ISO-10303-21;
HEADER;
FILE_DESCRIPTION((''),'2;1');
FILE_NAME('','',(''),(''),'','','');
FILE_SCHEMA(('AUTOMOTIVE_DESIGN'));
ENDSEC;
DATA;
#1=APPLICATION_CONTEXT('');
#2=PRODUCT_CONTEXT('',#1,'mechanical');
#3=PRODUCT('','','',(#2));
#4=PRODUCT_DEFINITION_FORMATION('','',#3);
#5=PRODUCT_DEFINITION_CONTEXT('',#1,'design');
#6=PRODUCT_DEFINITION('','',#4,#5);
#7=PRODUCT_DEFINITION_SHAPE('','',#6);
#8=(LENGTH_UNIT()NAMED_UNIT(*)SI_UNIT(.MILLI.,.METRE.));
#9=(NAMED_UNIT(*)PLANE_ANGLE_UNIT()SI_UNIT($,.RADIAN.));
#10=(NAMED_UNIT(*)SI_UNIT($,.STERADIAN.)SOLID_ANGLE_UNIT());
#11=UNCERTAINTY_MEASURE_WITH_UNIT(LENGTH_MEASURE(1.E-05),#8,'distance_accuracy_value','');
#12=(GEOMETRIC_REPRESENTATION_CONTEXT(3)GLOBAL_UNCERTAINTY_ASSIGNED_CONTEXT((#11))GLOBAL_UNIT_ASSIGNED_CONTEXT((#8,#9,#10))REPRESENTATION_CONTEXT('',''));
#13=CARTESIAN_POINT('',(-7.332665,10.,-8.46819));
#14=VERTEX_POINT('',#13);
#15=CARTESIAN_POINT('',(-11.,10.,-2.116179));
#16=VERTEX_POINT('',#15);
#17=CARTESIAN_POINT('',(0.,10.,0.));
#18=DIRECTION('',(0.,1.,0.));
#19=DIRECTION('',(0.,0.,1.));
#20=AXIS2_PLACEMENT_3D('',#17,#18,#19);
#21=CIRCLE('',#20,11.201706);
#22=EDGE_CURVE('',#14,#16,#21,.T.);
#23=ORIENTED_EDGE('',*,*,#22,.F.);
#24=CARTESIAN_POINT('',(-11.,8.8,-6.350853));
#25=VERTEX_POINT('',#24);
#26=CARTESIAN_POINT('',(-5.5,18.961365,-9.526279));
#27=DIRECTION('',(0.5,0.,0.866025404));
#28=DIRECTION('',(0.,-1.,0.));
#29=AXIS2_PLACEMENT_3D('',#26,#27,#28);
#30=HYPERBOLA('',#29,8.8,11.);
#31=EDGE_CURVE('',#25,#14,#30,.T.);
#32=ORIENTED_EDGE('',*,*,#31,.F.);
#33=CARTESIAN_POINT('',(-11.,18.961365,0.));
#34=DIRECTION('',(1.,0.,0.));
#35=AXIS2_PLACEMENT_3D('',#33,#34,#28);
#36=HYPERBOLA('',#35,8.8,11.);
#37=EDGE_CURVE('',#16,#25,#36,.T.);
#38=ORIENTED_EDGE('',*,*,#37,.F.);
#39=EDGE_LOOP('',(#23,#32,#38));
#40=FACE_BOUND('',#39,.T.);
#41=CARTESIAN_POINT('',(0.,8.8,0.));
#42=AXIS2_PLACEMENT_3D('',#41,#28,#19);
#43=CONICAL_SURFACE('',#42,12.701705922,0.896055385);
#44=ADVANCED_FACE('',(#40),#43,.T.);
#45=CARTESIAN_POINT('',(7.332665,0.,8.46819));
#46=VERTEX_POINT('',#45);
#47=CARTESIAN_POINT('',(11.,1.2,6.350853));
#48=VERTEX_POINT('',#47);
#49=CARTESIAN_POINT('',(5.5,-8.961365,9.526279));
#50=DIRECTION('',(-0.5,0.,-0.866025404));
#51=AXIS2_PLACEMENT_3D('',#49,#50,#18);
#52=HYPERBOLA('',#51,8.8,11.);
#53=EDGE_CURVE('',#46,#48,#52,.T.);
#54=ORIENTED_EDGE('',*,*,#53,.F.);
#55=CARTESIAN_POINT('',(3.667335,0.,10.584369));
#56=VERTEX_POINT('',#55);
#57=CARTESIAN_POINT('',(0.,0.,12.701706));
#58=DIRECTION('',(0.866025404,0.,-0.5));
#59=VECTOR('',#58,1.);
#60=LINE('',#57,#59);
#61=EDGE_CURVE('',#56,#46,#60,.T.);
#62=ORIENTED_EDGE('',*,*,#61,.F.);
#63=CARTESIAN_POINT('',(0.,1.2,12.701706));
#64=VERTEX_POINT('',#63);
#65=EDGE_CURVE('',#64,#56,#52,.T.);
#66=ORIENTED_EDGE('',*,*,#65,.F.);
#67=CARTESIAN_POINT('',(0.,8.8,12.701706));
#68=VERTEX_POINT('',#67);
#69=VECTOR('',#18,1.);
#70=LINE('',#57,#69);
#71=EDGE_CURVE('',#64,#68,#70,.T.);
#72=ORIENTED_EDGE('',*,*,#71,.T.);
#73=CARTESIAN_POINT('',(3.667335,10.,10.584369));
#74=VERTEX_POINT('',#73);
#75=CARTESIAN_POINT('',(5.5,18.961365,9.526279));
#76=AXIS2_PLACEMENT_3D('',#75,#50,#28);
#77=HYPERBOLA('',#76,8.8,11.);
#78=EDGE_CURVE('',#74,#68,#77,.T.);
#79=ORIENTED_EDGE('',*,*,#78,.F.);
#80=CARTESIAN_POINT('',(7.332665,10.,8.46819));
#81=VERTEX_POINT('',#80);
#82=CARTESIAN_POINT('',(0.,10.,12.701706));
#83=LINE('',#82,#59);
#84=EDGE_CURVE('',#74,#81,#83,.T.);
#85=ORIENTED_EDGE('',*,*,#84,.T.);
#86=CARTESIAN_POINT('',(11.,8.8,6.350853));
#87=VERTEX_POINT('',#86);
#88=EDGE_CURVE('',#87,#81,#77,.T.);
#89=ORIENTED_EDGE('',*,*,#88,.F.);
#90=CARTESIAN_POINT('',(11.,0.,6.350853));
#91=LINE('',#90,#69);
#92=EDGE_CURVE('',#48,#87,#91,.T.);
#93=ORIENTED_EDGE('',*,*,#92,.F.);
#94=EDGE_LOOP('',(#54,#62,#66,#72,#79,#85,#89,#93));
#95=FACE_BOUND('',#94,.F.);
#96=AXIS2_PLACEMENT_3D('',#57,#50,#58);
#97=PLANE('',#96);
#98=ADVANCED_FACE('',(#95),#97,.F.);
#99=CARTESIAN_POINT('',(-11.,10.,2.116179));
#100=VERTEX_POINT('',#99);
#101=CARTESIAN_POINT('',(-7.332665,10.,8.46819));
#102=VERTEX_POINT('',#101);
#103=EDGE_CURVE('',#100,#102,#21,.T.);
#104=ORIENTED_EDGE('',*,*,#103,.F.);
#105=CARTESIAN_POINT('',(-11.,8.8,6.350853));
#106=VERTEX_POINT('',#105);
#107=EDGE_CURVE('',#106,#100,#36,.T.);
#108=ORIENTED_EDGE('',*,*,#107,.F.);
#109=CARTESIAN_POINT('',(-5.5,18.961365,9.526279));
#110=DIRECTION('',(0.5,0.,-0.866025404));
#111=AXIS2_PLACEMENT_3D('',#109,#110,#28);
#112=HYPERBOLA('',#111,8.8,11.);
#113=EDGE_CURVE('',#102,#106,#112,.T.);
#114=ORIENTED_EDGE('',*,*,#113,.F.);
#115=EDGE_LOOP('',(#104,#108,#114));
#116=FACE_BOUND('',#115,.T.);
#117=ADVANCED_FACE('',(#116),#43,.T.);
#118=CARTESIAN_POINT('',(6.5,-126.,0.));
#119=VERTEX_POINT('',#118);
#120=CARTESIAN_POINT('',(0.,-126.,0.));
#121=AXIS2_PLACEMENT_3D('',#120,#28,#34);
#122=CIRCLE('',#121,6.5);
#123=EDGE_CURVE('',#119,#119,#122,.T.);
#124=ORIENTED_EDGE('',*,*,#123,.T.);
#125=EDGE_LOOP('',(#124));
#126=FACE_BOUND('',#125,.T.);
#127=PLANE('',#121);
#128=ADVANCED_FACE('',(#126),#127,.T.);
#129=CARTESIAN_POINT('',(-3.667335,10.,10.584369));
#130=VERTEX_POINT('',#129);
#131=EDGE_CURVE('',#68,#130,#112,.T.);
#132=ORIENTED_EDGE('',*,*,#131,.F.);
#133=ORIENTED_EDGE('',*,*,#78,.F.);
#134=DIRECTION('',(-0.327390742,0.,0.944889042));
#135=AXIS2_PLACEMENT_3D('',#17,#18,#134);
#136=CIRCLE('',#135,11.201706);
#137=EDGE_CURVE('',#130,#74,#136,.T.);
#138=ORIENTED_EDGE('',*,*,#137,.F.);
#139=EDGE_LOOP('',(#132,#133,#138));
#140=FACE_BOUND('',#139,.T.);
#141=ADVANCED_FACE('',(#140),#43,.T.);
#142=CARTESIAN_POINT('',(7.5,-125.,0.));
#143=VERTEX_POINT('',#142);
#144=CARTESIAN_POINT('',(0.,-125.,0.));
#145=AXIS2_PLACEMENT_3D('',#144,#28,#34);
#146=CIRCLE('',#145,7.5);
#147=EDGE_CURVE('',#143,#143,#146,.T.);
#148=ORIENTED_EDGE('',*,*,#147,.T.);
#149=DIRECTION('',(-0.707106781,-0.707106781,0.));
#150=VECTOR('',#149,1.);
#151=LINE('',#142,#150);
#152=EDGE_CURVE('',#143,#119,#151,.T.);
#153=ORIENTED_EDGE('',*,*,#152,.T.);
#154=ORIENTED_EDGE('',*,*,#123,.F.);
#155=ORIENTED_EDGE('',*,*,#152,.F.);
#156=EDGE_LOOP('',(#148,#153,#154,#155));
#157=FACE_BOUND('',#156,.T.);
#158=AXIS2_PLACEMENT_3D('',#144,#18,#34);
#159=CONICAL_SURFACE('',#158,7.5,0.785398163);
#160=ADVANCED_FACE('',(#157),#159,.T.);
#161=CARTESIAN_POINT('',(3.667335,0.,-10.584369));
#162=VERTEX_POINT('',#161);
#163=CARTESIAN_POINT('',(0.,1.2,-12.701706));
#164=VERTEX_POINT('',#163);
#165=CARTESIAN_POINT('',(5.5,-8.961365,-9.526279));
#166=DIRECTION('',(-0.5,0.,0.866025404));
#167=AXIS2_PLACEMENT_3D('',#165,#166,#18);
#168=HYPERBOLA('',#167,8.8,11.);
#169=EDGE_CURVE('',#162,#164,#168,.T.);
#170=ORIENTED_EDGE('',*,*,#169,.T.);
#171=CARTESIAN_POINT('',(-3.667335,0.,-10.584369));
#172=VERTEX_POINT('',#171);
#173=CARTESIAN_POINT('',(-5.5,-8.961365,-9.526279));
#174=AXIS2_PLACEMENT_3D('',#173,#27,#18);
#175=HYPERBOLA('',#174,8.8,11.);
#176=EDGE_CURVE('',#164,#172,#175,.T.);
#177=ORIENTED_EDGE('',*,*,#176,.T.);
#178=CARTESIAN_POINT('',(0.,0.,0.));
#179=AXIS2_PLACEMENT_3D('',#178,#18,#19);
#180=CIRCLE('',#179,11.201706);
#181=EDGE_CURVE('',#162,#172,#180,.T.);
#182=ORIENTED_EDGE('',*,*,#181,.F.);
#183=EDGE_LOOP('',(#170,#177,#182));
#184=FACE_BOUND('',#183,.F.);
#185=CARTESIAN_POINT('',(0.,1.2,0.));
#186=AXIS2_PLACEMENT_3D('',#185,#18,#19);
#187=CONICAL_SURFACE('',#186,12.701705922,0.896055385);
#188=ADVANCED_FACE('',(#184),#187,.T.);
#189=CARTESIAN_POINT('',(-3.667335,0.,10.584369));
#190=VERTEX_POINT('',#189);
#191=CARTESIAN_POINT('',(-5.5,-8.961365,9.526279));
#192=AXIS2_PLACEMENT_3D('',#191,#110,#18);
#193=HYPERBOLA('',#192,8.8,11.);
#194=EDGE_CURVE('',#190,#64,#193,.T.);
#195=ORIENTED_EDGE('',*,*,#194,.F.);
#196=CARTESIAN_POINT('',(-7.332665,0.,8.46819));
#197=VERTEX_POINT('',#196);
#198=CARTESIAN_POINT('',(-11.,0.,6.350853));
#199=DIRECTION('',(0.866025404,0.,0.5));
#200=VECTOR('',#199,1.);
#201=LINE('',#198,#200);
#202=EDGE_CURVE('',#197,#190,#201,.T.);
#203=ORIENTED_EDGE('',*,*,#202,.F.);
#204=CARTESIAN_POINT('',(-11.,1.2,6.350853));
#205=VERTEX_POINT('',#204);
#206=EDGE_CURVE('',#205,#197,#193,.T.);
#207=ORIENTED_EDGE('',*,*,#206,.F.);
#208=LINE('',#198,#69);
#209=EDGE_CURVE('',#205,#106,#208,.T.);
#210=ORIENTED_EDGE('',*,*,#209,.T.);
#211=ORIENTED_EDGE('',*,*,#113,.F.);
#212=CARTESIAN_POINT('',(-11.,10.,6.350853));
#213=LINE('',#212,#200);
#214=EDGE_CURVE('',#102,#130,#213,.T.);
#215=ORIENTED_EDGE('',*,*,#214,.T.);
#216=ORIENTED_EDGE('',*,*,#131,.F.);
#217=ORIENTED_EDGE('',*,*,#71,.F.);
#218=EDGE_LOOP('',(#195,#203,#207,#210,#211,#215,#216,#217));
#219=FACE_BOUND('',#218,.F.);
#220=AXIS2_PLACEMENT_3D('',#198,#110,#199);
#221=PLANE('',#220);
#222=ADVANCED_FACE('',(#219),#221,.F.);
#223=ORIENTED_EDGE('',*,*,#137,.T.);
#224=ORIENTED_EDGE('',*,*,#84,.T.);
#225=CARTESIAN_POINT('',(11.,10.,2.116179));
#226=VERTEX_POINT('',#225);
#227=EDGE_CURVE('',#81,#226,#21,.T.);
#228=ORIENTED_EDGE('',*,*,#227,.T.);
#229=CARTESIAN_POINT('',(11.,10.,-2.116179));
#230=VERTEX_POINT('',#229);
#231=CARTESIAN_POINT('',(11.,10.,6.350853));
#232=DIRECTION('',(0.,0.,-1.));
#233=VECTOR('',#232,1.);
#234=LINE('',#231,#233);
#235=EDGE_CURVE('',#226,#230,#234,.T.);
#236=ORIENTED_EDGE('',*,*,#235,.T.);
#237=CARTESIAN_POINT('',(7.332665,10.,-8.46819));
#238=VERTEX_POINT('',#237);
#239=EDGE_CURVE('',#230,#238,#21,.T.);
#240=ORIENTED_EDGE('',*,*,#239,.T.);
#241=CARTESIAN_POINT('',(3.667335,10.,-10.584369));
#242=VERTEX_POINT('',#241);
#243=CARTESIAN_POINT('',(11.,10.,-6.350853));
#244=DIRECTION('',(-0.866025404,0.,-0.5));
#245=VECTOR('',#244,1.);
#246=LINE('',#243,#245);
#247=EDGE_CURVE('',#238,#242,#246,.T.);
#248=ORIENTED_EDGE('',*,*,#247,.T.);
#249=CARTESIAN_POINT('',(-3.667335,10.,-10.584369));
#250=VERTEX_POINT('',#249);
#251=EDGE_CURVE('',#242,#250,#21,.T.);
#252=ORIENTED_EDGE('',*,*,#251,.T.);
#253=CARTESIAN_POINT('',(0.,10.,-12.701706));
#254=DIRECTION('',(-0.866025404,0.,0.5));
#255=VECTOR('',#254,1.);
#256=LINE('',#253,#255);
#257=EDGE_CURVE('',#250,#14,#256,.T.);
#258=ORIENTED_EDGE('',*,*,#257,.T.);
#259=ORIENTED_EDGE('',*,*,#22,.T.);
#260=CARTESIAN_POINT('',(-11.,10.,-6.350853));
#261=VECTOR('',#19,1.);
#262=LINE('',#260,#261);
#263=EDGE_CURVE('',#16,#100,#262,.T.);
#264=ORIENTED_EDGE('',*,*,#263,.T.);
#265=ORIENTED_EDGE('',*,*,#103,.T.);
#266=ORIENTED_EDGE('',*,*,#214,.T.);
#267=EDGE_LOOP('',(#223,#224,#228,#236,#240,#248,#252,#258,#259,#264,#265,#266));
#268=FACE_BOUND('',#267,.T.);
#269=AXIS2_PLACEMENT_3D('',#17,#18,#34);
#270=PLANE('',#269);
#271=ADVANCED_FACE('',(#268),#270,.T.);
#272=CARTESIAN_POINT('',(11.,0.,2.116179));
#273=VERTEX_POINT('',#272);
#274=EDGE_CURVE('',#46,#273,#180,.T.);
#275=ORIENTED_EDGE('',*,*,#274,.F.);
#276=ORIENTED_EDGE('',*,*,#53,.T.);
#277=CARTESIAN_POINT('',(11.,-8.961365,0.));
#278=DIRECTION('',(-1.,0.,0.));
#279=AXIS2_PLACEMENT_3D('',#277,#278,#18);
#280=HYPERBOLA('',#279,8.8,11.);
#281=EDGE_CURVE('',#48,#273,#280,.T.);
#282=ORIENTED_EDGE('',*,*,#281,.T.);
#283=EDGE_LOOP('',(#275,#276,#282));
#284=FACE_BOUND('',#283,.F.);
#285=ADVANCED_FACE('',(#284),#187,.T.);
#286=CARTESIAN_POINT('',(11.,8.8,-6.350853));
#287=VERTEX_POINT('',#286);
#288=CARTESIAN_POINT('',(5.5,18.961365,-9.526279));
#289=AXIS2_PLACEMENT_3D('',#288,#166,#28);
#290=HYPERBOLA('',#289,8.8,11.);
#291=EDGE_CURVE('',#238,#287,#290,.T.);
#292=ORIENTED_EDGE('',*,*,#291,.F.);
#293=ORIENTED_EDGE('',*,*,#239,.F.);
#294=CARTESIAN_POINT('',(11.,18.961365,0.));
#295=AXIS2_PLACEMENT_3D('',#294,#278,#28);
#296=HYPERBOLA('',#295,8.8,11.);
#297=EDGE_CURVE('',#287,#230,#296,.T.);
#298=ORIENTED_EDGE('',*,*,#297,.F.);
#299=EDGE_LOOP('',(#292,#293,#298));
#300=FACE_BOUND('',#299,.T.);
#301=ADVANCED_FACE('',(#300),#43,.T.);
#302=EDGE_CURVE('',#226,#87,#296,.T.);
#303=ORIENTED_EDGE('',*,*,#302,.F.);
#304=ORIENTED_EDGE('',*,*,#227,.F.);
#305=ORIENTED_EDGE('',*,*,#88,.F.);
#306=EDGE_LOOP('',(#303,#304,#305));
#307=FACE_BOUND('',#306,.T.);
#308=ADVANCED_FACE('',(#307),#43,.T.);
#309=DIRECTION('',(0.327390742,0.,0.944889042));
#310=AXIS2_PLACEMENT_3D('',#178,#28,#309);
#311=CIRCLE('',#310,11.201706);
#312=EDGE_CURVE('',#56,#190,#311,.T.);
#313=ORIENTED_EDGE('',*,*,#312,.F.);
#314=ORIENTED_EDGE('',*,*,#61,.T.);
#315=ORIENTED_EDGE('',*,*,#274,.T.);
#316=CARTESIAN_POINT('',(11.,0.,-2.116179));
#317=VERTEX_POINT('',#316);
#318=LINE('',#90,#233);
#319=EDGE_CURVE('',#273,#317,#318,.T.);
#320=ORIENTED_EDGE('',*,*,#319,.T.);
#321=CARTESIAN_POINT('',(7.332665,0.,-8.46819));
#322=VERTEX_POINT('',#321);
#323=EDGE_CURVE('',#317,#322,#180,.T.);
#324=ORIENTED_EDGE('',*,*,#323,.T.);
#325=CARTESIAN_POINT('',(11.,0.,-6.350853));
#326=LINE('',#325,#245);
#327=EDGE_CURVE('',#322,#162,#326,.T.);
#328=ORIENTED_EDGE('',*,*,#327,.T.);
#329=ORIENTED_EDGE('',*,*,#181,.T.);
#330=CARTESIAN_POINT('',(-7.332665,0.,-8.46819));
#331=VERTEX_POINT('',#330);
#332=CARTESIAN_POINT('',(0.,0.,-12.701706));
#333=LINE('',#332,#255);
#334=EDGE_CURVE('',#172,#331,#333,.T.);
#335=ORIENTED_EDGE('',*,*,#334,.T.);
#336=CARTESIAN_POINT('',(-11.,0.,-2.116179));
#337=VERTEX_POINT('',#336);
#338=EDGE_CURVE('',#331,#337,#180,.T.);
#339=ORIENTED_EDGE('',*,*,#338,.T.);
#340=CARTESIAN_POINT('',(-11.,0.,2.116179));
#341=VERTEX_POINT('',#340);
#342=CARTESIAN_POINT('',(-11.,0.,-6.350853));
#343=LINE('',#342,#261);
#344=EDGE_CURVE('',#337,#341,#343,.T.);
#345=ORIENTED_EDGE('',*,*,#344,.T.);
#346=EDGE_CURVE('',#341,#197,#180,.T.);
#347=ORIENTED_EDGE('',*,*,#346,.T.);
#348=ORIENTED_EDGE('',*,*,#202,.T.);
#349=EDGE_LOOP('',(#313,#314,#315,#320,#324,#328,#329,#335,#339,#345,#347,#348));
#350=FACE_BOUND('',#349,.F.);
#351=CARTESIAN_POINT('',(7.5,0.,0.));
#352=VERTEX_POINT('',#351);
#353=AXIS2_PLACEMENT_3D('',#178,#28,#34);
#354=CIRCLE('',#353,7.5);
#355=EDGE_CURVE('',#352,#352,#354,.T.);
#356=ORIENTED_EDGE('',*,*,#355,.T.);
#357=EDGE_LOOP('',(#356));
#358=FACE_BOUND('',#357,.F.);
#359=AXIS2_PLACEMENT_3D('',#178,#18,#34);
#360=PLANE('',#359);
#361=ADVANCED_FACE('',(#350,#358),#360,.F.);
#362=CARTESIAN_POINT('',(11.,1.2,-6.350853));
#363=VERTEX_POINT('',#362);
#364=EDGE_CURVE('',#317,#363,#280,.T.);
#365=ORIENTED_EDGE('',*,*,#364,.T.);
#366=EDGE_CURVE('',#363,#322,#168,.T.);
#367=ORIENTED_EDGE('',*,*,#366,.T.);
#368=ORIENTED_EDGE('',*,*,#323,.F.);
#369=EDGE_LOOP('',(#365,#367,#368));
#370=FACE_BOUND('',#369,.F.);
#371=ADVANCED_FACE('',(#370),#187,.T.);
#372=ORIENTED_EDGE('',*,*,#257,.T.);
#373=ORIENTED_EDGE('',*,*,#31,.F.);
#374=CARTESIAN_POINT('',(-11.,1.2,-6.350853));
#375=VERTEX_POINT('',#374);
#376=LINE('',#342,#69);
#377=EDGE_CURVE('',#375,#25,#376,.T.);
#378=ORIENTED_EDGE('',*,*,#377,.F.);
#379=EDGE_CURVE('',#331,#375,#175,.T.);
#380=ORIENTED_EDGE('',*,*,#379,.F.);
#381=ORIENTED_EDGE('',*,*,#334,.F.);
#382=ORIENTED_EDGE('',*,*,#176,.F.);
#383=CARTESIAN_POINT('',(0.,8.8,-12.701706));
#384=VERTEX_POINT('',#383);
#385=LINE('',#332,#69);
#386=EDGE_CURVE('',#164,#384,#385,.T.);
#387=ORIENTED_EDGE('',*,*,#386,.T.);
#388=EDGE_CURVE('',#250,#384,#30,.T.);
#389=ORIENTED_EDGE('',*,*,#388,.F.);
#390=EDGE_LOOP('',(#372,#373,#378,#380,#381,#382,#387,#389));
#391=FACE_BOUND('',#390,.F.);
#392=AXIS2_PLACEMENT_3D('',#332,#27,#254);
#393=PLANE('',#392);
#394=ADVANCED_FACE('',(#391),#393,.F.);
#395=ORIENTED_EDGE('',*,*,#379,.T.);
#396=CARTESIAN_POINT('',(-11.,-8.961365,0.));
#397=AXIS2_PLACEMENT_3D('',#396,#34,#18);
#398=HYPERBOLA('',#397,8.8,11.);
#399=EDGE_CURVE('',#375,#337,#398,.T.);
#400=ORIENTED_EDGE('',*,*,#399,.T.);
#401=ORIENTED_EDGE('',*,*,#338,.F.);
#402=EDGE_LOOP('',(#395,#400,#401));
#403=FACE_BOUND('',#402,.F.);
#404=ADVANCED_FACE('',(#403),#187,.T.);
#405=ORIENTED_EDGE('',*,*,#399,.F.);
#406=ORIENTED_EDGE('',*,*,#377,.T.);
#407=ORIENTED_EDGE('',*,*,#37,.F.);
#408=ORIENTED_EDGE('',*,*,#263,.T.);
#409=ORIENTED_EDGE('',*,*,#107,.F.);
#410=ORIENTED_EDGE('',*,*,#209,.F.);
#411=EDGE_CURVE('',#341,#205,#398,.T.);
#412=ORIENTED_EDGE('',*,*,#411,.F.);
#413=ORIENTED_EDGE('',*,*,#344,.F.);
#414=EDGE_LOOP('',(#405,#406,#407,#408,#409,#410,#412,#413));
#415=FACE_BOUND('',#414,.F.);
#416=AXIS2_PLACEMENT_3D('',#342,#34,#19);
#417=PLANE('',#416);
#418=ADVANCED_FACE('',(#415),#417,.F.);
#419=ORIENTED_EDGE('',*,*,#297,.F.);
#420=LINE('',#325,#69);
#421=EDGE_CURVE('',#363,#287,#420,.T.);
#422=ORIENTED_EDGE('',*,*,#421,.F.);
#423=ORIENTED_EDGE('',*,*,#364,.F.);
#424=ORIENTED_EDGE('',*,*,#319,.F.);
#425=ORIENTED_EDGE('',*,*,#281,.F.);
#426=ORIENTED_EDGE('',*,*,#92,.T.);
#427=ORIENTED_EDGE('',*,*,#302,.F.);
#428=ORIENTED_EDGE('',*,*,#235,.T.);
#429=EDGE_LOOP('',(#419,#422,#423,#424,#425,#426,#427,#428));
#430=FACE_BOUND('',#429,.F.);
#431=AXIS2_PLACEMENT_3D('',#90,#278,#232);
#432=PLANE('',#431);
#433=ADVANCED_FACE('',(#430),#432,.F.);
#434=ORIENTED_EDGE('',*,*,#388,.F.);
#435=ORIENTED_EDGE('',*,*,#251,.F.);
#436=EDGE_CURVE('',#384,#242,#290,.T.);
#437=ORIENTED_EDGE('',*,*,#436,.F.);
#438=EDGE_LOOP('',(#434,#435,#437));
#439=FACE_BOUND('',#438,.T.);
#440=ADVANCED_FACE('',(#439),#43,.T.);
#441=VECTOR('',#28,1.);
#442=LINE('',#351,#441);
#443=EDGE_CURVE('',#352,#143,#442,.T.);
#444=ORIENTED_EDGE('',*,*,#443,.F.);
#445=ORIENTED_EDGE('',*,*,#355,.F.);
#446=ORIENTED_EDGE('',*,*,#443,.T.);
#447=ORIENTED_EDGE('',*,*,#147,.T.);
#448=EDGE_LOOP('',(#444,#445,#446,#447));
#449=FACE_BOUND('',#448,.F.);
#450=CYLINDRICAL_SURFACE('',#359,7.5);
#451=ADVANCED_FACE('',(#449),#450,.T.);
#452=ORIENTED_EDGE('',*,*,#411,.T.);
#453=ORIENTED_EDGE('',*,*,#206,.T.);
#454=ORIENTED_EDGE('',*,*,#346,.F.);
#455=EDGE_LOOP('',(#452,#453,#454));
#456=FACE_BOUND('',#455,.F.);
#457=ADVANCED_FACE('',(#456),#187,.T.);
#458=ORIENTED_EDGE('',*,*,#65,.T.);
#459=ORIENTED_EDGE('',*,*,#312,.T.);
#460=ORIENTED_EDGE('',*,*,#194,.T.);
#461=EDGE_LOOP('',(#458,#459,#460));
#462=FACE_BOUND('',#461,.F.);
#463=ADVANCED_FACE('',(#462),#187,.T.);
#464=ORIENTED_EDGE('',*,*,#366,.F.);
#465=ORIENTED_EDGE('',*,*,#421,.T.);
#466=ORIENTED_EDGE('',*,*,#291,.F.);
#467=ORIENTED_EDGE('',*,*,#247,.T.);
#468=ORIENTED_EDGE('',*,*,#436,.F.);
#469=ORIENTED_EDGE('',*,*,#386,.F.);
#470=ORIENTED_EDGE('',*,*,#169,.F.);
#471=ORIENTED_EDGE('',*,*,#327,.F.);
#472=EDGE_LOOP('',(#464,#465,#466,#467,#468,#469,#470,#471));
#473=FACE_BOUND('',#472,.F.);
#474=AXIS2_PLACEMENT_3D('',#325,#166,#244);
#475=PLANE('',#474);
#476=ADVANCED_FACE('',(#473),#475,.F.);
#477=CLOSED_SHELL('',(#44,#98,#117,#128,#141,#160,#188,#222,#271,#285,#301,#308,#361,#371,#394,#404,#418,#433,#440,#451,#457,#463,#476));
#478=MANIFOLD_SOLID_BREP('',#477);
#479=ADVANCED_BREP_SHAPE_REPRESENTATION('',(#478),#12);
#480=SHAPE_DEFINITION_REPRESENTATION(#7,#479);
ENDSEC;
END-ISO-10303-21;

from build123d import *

# Parameters (mm, degrees)
BOSS_EXTRUDE1_DEPTH = 10
SKETCH2_R           = 7.5
BOSS_EXTRUDE2_DEPTH = 126
CHAMFER1_SIZE       = 1


with BuildPart() as part:
    # Sketch1 → Boss-Extrude1 (new body)
    with BuildSketch(Plane(origin=(0, 0, 0), x_dir=(1, 0, 0), z_dir=(0, 1, 0))):
        Polygon((0, 12.701705922), (-11, 6.350852961), (-11, -6.350852961), (0, -12.701705922), (11, -6.350852961), (11, 6.350852961), align=None)
    extrude(amount=BOSS_EXTRUDE1_DEPTH)

    # Sketch2 → Boss-Extrude2 (add)
    with BuildSketch(Plane.XZ):
        Circle(SKETCH2_R)
    extrude(amount=BOSS_EXTRUDE2_DEPTH)

    # Sketch4 → Cut-Revolve2 (revolve, cut)
    with BuildSketch(Plane(origin=(0, 0, 0), x_dir=(0, 0, -1), z_dir=(1, 0, 0))):
        Polygon((-12.701705922, 10), (-12.701705922, 8.8), (-11.201705922, 10), align=None)
        Polygon((-12.701705922, 0), (-12.701705922, 1.2), (-11.201705922, 0), align=None)
    revolve(axis=Axis((0, 0, 0), (0, 1, 0)), mode=Mode.SUBTRACT)

    # Chamfer1
    chamfer1_edges = [part.edges().sort_by_distance(p)[0] for p in [
        (-7.5, -126, 0),
    ]]
    chamfer(chamfer1_edges, length=CHAMFER1_SIZE)


solid = part.part
